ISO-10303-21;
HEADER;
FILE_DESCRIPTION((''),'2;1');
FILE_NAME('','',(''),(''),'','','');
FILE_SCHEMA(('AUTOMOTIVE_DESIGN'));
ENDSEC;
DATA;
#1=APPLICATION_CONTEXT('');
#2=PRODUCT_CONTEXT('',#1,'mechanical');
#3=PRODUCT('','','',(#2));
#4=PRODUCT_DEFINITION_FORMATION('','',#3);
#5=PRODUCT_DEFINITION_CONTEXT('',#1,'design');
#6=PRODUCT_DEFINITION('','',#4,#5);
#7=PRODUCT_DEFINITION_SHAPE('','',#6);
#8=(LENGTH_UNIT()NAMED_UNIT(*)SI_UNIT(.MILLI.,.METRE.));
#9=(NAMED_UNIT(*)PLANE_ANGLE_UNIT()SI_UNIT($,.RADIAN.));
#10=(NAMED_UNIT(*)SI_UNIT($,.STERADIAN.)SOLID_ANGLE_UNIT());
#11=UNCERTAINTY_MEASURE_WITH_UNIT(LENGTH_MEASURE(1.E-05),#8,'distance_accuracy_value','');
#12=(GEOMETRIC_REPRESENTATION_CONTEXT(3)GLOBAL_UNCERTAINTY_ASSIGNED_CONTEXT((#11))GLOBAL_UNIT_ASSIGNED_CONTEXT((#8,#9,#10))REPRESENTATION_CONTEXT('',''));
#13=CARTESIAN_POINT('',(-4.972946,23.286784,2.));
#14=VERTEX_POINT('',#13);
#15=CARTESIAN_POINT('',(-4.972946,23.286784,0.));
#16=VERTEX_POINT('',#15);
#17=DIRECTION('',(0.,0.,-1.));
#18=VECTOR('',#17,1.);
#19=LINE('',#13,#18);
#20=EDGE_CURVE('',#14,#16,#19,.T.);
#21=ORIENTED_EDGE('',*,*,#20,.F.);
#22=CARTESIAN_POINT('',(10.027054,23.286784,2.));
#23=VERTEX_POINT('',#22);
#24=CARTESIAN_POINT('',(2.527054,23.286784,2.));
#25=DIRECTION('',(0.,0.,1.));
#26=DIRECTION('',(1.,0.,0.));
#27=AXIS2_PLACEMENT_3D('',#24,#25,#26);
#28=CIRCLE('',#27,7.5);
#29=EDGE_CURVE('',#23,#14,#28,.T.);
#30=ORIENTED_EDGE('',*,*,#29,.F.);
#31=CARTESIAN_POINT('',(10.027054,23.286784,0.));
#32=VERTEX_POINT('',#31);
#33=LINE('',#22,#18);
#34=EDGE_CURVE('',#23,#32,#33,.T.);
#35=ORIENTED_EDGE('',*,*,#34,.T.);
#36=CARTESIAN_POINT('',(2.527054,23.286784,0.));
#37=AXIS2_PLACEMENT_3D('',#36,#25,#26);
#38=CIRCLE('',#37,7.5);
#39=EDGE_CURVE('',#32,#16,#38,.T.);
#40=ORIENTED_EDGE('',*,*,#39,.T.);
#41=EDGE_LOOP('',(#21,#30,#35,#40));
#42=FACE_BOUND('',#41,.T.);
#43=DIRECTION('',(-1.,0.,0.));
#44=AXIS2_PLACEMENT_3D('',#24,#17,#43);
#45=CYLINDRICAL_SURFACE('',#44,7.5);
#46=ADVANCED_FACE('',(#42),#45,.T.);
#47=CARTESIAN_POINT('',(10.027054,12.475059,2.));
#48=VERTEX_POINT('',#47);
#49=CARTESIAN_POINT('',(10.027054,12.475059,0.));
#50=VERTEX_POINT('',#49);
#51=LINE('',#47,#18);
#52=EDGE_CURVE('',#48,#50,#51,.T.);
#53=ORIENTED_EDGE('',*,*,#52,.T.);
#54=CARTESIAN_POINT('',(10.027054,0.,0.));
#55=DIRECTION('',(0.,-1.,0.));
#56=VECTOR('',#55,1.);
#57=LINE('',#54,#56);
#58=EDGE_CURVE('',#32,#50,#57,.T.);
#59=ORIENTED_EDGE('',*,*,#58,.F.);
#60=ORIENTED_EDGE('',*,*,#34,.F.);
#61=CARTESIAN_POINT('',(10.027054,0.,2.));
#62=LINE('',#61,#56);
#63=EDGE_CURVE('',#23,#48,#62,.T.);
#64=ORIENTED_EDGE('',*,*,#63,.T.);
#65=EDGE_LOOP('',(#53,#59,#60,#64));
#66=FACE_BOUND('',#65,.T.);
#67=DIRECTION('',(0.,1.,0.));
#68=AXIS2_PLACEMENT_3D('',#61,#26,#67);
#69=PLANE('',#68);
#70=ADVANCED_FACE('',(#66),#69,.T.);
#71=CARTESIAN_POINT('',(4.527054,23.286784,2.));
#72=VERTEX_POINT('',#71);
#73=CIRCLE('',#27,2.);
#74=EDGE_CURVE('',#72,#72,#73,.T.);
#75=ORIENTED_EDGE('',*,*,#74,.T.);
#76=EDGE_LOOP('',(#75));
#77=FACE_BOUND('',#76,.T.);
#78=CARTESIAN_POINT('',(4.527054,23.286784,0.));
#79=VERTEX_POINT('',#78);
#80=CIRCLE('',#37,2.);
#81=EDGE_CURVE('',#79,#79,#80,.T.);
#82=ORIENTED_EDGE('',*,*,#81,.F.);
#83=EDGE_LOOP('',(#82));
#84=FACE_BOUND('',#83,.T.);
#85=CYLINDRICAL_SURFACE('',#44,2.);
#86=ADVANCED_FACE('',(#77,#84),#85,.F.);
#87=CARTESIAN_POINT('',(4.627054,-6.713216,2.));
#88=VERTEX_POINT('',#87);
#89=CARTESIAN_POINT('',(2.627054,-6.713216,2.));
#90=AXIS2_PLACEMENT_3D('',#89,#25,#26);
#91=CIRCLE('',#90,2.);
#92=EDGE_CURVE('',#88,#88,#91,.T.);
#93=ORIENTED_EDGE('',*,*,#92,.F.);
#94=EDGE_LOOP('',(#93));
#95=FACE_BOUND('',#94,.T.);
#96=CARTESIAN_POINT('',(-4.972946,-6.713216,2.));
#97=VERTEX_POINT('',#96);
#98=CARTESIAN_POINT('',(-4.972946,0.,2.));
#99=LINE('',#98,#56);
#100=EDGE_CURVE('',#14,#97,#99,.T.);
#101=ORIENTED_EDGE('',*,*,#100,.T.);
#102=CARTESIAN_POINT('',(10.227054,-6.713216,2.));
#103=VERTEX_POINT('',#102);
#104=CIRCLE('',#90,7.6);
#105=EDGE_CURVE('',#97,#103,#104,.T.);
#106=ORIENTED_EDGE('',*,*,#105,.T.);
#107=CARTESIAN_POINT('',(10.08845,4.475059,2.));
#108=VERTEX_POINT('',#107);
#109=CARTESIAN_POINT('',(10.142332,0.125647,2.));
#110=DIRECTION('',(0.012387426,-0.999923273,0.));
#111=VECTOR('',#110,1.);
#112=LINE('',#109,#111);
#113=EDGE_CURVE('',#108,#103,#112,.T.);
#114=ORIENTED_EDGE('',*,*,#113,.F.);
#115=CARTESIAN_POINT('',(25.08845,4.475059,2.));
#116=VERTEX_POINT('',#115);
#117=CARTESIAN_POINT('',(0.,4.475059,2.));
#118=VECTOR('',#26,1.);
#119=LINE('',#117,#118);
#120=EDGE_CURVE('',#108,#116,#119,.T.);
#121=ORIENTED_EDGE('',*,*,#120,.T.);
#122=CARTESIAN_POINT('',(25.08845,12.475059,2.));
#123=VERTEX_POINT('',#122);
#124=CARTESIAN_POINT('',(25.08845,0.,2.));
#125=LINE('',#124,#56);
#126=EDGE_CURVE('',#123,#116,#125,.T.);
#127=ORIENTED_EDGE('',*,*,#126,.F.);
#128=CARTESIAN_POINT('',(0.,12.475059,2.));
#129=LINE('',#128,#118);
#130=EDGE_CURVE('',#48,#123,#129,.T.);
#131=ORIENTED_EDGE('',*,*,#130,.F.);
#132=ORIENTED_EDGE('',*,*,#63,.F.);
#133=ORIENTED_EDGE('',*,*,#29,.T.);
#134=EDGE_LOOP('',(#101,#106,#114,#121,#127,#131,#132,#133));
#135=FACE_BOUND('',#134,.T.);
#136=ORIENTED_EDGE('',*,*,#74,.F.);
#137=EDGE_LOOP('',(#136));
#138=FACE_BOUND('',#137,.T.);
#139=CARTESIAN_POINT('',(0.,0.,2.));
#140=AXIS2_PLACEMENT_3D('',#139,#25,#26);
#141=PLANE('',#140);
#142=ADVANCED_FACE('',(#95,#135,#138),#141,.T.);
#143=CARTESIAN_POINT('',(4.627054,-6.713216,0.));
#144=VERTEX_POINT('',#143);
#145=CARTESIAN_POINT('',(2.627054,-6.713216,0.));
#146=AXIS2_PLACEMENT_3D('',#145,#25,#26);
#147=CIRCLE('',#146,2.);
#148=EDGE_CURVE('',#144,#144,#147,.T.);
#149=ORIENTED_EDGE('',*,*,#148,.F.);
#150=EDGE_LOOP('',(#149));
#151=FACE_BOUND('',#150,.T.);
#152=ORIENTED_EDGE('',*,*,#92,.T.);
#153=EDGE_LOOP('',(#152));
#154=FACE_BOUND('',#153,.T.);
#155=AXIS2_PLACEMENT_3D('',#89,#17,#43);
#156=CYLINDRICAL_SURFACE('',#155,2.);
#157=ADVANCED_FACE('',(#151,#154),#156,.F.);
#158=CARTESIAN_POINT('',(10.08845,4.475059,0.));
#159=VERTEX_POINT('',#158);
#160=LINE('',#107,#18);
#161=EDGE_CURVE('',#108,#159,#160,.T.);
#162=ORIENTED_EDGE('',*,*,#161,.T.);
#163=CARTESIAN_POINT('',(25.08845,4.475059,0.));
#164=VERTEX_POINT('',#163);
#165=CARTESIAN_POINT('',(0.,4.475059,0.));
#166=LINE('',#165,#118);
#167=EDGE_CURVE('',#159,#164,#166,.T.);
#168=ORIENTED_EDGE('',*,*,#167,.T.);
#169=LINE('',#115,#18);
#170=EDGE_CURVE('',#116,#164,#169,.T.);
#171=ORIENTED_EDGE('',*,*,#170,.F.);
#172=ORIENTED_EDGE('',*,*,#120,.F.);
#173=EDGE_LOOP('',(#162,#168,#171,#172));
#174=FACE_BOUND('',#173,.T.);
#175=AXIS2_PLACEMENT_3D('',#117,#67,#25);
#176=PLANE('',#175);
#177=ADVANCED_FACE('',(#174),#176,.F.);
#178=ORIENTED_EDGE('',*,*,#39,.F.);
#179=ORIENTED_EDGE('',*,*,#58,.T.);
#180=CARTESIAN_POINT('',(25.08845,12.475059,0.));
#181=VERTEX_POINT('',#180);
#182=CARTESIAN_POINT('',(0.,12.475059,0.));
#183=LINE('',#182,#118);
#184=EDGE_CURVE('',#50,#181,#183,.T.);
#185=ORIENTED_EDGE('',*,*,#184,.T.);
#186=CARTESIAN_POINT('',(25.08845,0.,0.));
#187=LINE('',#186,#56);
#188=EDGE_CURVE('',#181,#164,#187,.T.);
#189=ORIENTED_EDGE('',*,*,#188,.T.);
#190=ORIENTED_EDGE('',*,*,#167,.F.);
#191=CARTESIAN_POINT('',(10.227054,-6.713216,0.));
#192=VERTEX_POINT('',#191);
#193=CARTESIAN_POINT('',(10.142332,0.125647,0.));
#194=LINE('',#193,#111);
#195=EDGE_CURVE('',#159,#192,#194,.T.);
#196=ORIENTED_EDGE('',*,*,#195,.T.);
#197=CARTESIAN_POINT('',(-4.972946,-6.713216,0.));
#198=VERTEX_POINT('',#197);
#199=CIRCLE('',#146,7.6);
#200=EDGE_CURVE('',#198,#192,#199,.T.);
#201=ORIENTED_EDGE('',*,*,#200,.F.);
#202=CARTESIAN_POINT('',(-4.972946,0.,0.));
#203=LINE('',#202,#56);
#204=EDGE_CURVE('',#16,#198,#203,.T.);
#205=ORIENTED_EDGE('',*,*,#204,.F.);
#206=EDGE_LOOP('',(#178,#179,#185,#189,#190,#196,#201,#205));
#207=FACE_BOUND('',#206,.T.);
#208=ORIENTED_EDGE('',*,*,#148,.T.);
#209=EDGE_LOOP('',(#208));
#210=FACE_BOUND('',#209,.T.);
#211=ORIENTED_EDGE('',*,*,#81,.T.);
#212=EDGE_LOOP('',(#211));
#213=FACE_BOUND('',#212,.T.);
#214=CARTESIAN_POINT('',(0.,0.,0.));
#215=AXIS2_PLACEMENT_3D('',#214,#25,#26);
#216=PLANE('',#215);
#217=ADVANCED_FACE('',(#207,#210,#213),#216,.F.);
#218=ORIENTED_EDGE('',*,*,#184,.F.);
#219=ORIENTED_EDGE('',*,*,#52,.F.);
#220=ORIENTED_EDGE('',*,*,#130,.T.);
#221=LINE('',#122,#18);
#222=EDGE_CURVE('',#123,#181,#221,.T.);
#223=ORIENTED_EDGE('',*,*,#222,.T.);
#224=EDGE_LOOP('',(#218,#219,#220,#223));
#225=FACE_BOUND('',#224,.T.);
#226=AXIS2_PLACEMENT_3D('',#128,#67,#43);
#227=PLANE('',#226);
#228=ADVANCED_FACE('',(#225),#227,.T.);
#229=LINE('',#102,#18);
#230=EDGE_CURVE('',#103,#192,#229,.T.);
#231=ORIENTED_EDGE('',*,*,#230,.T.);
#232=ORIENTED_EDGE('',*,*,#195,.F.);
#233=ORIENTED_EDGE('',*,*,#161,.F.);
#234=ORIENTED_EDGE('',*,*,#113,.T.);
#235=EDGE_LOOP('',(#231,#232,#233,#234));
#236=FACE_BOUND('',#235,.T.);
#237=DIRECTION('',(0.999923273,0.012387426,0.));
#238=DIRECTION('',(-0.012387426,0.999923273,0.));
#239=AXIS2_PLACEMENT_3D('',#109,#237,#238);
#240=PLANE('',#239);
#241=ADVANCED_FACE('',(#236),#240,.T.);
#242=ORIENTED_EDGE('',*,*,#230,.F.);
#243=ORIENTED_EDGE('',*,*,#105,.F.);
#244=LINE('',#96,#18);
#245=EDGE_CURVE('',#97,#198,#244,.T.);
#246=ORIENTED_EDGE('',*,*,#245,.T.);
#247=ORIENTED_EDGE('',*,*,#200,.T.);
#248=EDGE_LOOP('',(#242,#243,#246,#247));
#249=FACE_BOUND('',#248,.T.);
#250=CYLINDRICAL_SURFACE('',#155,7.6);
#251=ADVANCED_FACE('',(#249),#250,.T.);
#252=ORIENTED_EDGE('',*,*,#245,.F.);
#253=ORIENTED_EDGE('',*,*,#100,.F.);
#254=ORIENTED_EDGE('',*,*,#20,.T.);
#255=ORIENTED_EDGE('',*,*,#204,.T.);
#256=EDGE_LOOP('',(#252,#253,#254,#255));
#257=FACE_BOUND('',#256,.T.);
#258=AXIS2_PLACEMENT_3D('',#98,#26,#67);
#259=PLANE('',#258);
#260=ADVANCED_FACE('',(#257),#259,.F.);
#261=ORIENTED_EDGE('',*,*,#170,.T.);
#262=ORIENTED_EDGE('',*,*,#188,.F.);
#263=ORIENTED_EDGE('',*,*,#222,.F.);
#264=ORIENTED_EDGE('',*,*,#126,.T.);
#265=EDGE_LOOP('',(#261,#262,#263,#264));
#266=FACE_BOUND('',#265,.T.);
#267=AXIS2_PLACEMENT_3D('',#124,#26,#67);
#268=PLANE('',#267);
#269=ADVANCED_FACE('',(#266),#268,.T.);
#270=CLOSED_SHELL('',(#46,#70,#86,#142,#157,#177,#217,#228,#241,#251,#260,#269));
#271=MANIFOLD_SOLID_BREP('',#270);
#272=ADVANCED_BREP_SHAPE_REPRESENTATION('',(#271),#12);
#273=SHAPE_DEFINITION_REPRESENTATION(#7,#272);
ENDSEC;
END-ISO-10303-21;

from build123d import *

# Parameters (mm, degrees)
SKETCH1_R           = 2
BOSS_EXTRUDE1_DEPTH = 2


with BuildPart() as part:
    # Sketch1 → Boss-Extrude1 (new body)
    with BuildSketch(Plane.XY):
        with BuildLine():
            Line((10.224721825, -6.524941173), (10.088449683, 4.475058827))
            Line((10.088449683, 4.475058827), (25.088449683, 4.475058827))
            Line((25.088449683, 4.475058827), (25.088449683, 12.475058827))
            Line((25.088449683, 12.475058827), (10.027054239, 12.475058827))
            Line((10.027054239, 12.475058827), (10.027054239, 23.2867844))
            ThreePointArc((10.027054239, 23.2867844), (2.527054239, 30.7867844), (-4.972945761, 23.2867844))
            Line((-4.972945761, 23.2867844), (-4.972945761, -6.7132156))
            ThreePointArc((-4.972945761, -6.7132156), (2.627054239, -14.3132156), (10.227054239, -6.7132156))
            Line((10.227054239, -6.7132156), (10.224721825, -6.524941173))
        make_face()
        with Locations((2.627054239, -6.7132156)):
            Circle(SKETCH1_R, mode=Mode.SUBTRACT)
        with Locations((2.527054239, 23.2867844)):
            Circle(SKETCH1_R, mode=Mode.SUBTRACT)
    extrude(amount=BOSS_EXTRUDE1_DEPTH)


solid = part.part
